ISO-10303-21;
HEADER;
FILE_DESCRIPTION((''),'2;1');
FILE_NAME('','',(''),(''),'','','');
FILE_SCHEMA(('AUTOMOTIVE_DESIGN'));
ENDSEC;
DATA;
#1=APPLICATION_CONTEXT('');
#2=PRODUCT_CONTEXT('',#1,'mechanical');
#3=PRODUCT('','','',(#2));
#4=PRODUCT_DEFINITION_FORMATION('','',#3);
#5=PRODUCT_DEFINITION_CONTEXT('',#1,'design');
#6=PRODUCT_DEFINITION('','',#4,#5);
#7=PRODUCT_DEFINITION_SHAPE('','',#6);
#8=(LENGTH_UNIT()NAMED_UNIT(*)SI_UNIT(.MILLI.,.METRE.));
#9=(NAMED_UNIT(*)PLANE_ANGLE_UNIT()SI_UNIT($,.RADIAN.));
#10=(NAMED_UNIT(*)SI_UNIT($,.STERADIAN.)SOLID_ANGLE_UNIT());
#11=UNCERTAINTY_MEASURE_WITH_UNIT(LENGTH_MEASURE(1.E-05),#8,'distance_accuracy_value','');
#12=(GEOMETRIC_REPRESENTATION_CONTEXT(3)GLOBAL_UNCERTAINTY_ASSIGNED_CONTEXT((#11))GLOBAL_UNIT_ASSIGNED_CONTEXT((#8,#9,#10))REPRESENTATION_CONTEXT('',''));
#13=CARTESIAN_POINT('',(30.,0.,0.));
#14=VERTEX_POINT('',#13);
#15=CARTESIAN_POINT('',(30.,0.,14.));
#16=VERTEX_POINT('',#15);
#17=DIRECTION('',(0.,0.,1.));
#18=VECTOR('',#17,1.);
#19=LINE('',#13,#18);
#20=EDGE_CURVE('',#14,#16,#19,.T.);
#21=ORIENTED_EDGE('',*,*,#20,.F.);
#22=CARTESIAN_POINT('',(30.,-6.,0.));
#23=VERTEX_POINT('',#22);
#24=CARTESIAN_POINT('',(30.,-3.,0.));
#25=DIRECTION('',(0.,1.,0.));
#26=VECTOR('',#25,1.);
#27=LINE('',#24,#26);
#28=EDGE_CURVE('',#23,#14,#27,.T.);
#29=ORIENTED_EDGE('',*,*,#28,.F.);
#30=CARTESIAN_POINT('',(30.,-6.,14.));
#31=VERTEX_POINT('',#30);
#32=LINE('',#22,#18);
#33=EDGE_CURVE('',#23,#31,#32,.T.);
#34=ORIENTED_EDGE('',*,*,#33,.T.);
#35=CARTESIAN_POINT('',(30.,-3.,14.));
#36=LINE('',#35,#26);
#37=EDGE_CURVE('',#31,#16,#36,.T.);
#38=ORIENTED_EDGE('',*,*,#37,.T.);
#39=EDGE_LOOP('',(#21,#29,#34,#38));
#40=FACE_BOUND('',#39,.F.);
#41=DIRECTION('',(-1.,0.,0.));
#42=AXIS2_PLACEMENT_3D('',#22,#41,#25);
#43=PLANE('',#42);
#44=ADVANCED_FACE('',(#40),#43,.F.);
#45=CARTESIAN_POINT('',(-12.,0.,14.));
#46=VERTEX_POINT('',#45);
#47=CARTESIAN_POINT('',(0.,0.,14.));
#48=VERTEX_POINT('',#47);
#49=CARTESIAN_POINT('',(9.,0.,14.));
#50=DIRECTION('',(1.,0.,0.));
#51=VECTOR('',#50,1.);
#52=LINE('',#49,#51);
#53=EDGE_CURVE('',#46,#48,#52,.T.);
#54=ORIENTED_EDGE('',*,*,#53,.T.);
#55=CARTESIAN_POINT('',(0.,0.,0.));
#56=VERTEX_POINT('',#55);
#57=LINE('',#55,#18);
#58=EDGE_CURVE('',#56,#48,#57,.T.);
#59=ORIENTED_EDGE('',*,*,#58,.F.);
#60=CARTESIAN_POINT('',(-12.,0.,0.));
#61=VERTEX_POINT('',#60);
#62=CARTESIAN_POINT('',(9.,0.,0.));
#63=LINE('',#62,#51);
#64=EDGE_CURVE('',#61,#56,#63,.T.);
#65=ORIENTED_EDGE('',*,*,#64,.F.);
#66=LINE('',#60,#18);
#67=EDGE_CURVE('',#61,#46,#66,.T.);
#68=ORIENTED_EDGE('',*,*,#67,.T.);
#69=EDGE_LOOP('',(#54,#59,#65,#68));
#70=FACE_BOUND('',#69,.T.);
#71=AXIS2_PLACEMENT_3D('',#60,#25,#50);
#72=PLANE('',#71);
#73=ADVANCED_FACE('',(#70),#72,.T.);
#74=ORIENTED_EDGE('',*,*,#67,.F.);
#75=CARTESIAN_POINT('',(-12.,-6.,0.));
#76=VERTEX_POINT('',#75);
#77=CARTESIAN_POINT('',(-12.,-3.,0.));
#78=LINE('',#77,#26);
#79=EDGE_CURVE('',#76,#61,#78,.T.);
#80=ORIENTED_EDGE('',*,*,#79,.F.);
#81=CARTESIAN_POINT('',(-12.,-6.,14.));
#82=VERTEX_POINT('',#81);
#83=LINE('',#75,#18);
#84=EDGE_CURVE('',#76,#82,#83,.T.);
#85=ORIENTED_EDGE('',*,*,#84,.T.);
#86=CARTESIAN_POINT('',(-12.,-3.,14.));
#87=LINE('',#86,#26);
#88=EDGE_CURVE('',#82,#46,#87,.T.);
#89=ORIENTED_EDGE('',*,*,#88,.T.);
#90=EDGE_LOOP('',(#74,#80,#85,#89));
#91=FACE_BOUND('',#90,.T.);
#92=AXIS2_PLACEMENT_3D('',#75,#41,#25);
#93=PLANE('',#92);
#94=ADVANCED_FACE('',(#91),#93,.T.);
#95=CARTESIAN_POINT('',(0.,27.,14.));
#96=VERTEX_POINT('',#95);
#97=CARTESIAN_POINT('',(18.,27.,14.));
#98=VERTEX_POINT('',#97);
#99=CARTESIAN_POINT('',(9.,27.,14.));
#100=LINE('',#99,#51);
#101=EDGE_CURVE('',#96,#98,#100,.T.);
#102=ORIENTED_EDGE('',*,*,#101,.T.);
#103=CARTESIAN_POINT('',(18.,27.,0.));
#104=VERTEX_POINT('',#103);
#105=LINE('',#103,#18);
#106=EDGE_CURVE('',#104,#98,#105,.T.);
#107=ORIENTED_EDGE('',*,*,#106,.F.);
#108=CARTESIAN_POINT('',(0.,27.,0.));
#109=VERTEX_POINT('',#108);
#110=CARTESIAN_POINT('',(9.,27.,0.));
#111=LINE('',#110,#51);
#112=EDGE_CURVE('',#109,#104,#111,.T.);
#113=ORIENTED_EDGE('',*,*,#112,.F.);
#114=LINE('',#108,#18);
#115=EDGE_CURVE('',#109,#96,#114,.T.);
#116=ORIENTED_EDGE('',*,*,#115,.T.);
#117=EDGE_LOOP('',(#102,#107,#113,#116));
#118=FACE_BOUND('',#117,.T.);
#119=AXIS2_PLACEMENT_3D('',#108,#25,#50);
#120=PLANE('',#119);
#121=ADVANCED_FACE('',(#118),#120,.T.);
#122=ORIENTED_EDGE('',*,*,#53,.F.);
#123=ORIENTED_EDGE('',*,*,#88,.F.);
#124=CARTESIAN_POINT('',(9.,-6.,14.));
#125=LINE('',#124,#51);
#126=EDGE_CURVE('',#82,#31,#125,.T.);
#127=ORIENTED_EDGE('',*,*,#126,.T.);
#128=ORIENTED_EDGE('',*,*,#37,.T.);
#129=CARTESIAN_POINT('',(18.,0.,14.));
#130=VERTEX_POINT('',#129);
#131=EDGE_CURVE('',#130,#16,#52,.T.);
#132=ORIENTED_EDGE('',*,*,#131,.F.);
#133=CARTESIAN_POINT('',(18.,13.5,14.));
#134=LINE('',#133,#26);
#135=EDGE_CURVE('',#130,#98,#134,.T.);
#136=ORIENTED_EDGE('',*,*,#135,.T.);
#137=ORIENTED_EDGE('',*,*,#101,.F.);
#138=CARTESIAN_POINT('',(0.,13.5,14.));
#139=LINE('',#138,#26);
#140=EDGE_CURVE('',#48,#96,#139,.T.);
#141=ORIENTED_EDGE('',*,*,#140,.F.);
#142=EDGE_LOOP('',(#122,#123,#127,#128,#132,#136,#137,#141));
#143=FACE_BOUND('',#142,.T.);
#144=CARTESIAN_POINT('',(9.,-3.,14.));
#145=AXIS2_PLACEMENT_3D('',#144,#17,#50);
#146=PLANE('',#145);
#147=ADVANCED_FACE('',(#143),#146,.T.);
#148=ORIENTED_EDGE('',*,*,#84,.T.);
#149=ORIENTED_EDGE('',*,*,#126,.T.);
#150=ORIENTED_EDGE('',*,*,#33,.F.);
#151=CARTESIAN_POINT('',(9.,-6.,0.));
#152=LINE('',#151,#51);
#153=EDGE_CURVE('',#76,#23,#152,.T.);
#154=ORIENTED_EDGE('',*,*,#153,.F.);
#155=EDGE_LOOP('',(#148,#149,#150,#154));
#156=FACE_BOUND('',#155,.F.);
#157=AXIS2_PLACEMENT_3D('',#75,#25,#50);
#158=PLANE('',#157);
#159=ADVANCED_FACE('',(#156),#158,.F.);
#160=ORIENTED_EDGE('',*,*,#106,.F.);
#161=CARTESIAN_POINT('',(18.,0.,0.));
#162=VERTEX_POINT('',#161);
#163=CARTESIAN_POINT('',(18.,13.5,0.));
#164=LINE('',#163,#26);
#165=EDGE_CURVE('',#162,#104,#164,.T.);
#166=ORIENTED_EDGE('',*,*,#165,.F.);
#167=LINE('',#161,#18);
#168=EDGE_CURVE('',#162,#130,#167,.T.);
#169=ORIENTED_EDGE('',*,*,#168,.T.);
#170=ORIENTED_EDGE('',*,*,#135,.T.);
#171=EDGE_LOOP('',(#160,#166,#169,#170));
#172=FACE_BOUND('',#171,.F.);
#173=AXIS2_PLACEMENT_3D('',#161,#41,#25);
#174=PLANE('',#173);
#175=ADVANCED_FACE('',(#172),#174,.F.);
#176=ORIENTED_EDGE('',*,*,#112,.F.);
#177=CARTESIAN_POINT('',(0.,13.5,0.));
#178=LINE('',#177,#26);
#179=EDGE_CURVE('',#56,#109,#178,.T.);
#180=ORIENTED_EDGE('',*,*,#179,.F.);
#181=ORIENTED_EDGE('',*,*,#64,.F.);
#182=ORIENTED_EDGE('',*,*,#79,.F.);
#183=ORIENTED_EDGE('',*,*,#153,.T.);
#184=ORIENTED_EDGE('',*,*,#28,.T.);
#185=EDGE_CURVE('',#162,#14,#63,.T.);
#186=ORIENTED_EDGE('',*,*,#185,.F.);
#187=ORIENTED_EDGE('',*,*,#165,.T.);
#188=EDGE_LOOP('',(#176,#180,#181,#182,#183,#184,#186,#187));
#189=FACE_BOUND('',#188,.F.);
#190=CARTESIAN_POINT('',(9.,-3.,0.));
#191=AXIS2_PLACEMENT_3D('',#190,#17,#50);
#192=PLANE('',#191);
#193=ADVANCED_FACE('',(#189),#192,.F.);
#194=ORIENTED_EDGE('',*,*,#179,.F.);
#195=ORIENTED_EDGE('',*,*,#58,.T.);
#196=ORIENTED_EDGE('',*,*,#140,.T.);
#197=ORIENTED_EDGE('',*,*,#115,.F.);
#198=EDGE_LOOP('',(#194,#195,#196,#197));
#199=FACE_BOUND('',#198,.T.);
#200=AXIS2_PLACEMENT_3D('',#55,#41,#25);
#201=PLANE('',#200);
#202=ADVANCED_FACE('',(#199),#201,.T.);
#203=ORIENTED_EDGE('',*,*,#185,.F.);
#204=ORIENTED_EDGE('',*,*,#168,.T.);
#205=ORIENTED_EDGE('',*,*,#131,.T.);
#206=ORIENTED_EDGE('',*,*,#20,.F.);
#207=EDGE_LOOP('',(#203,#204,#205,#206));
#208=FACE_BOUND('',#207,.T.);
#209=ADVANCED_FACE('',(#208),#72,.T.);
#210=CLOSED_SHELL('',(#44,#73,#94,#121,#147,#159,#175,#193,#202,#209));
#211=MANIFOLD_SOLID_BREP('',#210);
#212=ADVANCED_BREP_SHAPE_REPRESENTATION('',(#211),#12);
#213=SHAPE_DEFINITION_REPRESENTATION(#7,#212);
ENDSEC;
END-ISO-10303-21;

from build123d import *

# Parameters (mm, degrees)
BOX014_W     = 42
BOX014_H     = 6
BOX014_DEPTH = 14
BOX016_W     = 18
BOX016_H     = 27
BOX016_DEPTH = 14


with BuildPart() as cube009:
    # Box014 → Box014 (new body)
    with BuildSketch(Plane(origin=(-12, -6, 0), x_dir=(1, 0, 0), z_dir=(0, 0, 1))):
        with Locations((21, 3)):
            Rectangle(BOX014_W, BOX014_H)
    extrude(amount=BOX014_DEPTH)


with BuildPart() as fusion007006:
    # Box016 → Box016 (new body)
    with BuildSketch(Plane.XY):
        with Locations((9, 13.5)):
            Rectangle(BOX016_W, BOX016_H)
    extrude(amount=BOX016_DEPTH)

    # Fusion007006: union Cube009
    add(cube009.part)


solid = fusion007006.part
